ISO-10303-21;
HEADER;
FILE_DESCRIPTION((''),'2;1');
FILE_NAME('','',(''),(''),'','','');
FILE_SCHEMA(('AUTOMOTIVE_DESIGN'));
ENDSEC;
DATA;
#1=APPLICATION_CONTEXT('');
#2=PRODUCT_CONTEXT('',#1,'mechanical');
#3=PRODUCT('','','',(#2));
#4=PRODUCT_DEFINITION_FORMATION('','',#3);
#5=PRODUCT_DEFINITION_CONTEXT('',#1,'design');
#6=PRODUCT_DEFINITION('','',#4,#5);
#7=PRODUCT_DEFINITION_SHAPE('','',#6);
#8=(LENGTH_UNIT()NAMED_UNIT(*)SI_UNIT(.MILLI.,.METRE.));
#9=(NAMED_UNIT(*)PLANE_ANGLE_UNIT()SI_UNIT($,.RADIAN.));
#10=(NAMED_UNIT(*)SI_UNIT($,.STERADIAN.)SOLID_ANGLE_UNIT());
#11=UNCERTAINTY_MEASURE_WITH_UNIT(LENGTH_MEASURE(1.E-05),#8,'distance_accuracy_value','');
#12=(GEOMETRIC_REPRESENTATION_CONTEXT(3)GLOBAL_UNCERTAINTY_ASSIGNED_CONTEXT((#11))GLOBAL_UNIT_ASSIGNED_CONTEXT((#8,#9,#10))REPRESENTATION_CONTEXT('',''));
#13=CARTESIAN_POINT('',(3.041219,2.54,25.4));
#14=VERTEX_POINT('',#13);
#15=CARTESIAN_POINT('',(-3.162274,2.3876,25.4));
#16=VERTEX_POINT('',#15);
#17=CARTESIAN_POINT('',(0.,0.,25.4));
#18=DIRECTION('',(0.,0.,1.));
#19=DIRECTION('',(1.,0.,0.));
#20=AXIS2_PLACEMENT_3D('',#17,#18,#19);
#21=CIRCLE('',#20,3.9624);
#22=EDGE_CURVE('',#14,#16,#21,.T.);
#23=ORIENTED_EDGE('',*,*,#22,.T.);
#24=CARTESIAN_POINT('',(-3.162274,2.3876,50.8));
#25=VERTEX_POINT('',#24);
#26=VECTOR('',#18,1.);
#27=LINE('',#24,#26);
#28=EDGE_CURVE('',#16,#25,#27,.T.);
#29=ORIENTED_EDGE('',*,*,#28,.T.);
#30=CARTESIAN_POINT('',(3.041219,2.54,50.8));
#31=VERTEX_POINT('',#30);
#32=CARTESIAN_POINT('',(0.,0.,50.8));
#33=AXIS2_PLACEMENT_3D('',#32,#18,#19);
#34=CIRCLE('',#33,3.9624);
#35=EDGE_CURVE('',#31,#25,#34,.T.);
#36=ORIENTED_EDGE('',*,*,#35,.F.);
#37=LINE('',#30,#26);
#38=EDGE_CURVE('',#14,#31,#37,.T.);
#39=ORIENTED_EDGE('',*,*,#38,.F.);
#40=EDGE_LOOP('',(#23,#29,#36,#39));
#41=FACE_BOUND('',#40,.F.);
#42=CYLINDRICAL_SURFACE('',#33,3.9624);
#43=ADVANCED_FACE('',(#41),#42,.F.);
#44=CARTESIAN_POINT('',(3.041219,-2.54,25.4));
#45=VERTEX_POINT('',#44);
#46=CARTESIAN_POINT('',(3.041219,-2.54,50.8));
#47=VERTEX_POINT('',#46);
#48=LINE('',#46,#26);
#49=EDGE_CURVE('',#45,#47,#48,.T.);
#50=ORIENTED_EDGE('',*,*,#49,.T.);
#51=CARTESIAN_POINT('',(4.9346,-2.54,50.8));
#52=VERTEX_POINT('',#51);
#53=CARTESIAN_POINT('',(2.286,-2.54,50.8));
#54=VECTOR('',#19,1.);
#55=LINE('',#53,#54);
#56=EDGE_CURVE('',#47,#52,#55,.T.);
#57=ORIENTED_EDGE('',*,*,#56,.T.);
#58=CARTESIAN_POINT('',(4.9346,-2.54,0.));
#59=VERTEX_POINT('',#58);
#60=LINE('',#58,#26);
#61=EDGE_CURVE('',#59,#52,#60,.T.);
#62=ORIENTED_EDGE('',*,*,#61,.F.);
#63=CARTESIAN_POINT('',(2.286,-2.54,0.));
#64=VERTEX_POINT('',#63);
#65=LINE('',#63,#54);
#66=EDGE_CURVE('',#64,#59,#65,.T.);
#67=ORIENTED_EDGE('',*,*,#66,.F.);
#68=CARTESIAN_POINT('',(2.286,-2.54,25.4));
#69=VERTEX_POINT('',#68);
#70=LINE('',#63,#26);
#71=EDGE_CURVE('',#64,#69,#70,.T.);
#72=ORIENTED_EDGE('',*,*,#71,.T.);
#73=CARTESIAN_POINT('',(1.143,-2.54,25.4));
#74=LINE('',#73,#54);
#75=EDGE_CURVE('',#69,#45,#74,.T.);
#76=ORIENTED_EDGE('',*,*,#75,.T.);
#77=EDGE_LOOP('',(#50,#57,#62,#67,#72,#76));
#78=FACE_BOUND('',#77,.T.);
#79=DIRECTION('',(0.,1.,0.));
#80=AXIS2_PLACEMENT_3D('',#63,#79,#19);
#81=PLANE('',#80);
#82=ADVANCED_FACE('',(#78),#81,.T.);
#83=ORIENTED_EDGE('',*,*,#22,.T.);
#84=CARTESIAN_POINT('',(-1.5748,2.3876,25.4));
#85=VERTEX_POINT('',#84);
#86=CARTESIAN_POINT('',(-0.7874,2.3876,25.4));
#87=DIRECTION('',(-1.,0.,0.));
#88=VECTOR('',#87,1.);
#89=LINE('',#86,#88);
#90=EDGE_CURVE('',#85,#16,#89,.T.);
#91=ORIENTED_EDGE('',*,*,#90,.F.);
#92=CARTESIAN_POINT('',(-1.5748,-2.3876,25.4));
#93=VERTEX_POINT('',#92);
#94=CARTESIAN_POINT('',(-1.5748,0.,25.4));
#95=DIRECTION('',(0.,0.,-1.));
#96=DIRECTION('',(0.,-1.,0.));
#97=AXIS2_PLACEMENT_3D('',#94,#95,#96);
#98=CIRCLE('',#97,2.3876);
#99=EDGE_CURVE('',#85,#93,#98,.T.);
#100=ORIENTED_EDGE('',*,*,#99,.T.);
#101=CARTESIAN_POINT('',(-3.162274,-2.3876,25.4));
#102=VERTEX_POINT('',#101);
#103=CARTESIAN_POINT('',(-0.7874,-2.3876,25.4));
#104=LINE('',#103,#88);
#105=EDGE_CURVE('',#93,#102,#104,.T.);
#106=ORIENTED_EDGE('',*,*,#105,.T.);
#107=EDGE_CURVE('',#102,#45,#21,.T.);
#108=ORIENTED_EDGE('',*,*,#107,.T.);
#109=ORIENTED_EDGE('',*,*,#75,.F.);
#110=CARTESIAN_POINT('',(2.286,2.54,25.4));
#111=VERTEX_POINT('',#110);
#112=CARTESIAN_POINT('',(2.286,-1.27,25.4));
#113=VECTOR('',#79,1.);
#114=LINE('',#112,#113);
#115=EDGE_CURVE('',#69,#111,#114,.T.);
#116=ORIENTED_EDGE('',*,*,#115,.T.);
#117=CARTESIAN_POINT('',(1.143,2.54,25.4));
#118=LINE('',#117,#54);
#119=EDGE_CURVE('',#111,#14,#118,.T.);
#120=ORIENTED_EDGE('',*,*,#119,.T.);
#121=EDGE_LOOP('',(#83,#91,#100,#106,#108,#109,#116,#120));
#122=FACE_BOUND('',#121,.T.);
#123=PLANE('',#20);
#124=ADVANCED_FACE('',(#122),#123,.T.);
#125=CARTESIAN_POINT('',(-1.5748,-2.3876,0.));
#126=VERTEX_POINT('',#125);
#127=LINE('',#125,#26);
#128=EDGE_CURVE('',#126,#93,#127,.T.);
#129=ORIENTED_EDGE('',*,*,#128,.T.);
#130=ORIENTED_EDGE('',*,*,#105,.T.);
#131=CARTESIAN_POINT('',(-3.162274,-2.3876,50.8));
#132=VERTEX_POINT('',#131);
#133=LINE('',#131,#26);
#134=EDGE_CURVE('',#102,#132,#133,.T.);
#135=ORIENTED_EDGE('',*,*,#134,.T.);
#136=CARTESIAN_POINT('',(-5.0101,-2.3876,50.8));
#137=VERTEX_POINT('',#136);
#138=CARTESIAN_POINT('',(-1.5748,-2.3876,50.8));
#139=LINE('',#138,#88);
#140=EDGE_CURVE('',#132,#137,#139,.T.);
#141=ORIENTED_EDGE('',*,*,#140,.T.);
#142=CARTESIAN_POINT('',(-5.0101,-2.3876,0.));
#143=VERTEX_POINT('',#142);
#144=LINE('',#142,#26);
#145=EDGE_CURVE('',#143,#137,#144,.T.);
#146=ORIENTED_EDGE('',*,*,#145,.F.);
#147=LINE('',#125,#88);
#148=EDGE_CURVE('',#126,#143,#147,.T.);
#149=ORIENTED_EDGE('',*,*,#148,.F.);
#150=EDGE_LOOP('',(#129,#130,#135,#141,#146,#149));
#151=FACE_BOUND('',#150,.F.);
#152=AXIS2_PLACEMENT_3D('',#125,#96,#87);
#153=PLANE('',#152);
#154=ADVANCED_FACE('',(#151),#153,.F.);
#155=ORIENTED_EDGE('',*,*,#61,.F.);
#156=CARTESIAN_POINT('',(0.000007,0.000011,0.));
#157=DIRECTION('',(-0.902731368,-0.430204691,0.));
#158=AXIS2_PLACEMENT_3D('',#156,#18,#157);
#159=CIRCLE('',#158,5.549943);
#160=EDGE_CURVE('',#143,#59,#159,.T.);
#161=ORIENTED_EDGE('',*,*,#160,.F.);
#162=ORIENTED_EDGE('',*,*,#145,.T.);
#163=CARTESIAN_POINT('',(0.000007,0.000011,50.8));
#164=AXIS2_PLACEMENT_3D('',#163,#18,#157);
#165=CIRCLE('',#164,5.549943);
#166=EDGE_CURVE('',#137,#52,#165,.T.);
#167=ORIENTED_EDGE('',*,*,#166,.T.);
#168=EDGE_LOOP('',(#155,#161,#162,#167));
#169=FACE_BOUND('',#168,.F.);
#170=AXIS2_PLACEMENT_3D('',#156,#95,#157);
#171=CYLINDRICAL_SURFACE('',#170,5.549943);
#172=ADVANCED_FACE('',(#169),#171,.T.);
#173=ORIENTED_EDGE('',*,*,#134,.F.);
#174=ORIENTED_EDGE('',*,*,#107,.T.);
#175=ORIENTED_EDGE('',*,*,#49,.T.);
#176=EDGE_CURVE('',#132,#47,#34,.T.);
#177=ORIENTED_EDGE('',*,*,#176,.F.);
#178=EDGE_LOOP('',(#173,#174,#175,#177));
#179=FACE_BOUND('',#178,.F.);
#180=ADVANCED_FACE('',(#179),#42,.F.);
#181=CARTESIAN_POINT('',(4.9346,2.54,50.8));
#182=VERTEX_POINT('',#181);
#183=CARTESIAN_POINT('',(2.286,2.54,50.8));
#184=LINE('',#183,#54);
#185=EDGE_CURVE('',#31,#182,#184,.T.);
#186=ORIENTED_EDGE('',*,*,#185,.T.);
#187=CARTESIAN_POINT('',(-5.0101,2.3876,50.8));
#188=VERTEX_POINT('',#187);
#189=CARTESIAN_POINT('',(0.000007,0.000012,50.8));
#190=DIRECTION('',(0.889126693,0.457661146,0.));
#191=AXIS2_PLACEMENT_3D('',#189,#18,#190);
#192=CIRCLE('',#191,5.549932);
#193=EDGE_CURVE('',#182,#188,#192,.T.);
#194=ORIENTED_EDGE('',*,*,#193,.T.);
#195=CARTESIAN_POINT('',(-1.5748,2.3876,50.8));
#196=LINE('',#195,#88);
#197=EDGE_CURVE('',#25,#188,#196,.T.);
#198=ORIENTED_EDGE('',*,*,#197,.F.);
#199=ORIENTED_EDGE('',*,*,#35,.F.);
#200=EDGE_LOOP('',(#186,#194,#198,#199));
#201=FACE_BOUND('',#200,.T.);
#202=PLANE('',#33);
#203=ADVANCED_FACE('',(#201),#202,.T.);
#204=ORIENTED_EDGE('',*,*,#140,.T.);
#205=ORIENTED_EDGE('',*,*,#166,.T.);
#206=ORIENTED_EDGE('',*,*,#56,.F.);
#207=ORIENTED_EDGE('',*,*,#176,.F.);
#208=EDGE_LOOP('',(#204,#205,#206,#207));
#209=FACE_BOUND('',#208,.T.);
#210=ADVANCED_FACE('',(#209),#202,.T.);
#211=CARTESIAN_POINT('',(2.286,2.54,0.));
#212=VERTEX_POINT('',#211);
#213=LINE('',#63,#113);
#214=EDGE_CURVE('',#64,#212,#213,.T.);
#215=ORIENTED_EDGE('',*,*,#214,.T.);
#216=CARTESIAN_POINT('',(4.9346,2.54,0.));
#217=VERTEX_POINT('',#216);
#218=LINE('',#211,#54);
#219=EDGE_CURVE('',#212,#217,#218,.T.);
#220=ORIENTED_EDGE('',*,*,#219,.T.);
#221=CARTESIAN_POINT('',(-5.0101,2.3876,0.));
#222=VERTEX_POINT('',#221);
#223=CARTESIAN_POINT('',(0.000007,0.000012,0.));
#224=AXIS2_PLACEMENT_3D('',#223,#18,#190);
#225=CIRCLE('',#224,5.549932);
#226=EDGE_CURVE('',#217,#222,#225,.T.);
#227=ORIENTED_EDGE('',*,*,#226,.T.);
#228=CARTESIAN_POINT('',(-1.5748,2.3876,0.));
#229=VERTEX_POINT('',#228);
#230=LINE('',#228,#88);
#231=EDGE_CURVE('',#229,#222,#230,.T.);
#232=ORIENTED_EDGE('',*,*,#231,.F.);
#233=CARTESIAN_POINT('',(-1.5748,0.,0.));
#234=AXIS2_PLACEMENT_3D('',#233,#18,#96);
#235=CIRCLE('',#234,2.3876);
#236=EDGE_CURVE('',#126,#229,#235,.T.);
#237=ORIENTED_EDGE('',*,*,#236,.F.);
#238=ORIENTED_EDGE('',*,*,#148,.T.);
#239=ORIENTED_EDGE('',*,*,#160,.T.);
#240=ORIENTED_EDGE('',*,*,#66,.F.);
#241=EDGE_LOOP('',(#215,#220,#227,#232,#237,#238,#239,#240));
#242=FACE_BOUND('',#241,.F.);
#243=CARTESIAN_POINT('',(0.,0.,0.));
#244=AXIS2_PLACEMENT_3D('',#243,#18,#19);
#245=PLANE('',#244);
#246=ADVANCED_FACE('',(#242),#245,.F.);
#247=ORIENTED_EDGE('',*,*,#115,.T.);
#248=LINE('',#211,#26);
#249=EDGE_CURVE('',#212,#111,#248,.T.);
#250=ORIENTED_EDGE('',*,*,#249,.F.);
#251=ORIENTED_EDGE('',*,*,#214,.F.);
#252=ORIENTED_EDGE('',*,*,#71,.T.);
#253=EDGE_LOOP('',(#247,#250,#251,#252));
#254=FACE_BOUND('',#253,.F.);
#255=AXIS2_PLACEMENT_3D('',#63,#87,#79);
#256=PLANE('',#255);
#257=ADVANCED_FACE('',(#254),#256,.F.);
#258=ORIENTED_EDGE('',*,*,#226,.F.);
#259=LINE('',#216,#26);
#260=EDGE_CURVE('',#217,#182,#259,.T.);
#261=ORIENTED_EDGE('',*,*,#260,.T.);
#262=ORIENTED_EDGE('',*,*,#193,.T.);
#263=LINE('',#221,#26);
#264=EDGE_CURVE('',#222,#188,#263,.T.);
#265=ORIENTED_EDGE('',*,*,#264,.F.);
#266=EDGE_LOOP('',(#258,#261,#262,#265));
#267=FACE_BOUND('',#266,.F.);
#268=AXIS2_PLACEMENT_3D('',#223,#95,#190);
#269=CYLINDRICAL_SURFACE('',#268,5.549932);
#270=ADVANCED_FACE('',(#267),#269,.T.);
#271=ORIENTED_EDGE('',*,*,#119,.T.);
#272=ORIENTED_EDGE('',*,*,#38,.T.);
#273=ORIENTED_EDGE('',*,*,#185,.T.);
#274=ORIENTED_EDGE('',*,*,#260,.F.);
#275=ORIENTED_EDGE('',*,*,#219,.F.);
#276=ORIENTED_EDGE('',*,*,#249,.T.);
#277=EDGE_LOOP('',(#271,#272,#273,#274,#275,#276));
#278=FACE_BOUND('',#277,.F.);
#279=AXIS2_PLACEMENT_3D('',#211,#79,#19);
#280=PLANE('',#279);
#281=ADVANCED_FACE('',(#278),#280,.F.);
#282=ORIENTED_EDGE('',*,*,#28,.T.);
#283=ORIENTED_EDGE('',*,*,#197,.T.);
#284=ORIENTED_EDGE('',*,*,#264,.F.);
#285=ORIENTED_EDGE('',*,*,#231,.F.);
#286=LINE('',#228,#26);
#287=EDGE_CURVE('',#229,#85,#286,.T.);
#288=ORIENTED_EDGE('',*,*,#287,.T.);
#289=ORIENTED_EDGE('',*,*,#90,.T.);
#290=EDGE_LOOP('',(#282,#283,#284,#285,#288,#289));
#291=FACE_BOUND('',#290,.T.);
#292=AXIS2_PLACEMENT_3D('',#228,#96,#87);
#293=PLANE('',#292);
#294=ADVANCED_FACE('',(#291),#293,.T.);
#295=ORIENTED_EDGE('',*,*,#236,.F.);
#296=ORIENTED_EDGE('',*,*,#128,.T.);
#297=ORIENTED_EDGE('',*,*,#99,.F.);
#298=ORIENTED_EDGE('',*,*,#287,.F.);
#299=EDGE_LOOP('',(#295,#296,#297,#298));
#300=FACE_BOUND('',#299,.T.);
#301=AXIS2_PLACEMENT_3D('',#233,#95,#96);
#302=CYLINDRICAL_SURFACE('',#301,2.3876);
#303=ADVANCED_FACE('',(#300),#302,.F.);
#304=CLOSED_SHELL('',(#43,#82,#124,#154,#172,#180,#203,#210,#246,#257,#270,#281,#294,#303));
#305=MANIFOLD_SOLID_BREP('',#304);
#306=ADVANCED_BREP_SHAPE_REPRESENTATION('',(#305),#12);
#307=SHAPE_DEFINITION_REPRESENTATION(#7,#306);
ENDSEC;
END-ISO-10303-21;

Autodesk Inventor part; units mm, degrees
ref_plane "YZ Plane" through (0, 0, 0) normal (1, 0, 0) x (0, 1, 0)
ref_plane "XZ Plane" through (0, 0, 0) normal (0, 1, 0) x (-1, 0, 0)
ref_plane "XY Plane" through (0, 0, 0) normal (0, 0, 1) x (1, 0, 0)
sketch "Sketch1" plane through (0, 0, 0) normal (0, 0, 1) x (1, 0, 0)
  arc A0 (-1.5748, -2.3876) -> (-1.5748, 2.3876) centre (-1.5748, 0) ccw
  line L0 (-1.5748, 2.3876) -> (-5.0101, 2.3876)
  line L1 (-1.5748, -2.3876) -> (-5.0101, -2.3876)
  line L2 (2.286, -2.54) -> (2.286, 2.54)
  line L3 (2.286, 2.54) -> (4.9346, 2.54)
  line L4 (2.286, -2.54) -> (4.9346, -2.54)
  arc A1 (-5.0101, -2.3876) -> (4.9346, -2.54) centre (0, 0) ccw
  arc A2 (4.9346, 2.54) -> (-5.0101, 2.3876) centre (0, 0) ccw
  point P0 (2.286, 0)
  dimension "d1" = 4.7752
  dimension "d2" = 1.5748
  dimension "d3" = 5.08
  dimension "d4" = 2.286
  dimension "d10" = 5.5499
  dimension "d11" = 5.5499
  dimension "d12" = 0.1524
extrude "Extrusion1" add sketch "Sketch1" along normal blind 50.8
sketch "Sketch2" plane through (0, 0, 50.8) normal (0, 0, 1) x (1, 0, 0)
  circle A0 centre (0, 0) radius 3.9624
  dimension "d7" = 7.9248
extrude "Extrusion2" cut sketch "Sketch2" against normal blind 25.4
properties part number "thick rod" material "Polyethylene, High Density"
